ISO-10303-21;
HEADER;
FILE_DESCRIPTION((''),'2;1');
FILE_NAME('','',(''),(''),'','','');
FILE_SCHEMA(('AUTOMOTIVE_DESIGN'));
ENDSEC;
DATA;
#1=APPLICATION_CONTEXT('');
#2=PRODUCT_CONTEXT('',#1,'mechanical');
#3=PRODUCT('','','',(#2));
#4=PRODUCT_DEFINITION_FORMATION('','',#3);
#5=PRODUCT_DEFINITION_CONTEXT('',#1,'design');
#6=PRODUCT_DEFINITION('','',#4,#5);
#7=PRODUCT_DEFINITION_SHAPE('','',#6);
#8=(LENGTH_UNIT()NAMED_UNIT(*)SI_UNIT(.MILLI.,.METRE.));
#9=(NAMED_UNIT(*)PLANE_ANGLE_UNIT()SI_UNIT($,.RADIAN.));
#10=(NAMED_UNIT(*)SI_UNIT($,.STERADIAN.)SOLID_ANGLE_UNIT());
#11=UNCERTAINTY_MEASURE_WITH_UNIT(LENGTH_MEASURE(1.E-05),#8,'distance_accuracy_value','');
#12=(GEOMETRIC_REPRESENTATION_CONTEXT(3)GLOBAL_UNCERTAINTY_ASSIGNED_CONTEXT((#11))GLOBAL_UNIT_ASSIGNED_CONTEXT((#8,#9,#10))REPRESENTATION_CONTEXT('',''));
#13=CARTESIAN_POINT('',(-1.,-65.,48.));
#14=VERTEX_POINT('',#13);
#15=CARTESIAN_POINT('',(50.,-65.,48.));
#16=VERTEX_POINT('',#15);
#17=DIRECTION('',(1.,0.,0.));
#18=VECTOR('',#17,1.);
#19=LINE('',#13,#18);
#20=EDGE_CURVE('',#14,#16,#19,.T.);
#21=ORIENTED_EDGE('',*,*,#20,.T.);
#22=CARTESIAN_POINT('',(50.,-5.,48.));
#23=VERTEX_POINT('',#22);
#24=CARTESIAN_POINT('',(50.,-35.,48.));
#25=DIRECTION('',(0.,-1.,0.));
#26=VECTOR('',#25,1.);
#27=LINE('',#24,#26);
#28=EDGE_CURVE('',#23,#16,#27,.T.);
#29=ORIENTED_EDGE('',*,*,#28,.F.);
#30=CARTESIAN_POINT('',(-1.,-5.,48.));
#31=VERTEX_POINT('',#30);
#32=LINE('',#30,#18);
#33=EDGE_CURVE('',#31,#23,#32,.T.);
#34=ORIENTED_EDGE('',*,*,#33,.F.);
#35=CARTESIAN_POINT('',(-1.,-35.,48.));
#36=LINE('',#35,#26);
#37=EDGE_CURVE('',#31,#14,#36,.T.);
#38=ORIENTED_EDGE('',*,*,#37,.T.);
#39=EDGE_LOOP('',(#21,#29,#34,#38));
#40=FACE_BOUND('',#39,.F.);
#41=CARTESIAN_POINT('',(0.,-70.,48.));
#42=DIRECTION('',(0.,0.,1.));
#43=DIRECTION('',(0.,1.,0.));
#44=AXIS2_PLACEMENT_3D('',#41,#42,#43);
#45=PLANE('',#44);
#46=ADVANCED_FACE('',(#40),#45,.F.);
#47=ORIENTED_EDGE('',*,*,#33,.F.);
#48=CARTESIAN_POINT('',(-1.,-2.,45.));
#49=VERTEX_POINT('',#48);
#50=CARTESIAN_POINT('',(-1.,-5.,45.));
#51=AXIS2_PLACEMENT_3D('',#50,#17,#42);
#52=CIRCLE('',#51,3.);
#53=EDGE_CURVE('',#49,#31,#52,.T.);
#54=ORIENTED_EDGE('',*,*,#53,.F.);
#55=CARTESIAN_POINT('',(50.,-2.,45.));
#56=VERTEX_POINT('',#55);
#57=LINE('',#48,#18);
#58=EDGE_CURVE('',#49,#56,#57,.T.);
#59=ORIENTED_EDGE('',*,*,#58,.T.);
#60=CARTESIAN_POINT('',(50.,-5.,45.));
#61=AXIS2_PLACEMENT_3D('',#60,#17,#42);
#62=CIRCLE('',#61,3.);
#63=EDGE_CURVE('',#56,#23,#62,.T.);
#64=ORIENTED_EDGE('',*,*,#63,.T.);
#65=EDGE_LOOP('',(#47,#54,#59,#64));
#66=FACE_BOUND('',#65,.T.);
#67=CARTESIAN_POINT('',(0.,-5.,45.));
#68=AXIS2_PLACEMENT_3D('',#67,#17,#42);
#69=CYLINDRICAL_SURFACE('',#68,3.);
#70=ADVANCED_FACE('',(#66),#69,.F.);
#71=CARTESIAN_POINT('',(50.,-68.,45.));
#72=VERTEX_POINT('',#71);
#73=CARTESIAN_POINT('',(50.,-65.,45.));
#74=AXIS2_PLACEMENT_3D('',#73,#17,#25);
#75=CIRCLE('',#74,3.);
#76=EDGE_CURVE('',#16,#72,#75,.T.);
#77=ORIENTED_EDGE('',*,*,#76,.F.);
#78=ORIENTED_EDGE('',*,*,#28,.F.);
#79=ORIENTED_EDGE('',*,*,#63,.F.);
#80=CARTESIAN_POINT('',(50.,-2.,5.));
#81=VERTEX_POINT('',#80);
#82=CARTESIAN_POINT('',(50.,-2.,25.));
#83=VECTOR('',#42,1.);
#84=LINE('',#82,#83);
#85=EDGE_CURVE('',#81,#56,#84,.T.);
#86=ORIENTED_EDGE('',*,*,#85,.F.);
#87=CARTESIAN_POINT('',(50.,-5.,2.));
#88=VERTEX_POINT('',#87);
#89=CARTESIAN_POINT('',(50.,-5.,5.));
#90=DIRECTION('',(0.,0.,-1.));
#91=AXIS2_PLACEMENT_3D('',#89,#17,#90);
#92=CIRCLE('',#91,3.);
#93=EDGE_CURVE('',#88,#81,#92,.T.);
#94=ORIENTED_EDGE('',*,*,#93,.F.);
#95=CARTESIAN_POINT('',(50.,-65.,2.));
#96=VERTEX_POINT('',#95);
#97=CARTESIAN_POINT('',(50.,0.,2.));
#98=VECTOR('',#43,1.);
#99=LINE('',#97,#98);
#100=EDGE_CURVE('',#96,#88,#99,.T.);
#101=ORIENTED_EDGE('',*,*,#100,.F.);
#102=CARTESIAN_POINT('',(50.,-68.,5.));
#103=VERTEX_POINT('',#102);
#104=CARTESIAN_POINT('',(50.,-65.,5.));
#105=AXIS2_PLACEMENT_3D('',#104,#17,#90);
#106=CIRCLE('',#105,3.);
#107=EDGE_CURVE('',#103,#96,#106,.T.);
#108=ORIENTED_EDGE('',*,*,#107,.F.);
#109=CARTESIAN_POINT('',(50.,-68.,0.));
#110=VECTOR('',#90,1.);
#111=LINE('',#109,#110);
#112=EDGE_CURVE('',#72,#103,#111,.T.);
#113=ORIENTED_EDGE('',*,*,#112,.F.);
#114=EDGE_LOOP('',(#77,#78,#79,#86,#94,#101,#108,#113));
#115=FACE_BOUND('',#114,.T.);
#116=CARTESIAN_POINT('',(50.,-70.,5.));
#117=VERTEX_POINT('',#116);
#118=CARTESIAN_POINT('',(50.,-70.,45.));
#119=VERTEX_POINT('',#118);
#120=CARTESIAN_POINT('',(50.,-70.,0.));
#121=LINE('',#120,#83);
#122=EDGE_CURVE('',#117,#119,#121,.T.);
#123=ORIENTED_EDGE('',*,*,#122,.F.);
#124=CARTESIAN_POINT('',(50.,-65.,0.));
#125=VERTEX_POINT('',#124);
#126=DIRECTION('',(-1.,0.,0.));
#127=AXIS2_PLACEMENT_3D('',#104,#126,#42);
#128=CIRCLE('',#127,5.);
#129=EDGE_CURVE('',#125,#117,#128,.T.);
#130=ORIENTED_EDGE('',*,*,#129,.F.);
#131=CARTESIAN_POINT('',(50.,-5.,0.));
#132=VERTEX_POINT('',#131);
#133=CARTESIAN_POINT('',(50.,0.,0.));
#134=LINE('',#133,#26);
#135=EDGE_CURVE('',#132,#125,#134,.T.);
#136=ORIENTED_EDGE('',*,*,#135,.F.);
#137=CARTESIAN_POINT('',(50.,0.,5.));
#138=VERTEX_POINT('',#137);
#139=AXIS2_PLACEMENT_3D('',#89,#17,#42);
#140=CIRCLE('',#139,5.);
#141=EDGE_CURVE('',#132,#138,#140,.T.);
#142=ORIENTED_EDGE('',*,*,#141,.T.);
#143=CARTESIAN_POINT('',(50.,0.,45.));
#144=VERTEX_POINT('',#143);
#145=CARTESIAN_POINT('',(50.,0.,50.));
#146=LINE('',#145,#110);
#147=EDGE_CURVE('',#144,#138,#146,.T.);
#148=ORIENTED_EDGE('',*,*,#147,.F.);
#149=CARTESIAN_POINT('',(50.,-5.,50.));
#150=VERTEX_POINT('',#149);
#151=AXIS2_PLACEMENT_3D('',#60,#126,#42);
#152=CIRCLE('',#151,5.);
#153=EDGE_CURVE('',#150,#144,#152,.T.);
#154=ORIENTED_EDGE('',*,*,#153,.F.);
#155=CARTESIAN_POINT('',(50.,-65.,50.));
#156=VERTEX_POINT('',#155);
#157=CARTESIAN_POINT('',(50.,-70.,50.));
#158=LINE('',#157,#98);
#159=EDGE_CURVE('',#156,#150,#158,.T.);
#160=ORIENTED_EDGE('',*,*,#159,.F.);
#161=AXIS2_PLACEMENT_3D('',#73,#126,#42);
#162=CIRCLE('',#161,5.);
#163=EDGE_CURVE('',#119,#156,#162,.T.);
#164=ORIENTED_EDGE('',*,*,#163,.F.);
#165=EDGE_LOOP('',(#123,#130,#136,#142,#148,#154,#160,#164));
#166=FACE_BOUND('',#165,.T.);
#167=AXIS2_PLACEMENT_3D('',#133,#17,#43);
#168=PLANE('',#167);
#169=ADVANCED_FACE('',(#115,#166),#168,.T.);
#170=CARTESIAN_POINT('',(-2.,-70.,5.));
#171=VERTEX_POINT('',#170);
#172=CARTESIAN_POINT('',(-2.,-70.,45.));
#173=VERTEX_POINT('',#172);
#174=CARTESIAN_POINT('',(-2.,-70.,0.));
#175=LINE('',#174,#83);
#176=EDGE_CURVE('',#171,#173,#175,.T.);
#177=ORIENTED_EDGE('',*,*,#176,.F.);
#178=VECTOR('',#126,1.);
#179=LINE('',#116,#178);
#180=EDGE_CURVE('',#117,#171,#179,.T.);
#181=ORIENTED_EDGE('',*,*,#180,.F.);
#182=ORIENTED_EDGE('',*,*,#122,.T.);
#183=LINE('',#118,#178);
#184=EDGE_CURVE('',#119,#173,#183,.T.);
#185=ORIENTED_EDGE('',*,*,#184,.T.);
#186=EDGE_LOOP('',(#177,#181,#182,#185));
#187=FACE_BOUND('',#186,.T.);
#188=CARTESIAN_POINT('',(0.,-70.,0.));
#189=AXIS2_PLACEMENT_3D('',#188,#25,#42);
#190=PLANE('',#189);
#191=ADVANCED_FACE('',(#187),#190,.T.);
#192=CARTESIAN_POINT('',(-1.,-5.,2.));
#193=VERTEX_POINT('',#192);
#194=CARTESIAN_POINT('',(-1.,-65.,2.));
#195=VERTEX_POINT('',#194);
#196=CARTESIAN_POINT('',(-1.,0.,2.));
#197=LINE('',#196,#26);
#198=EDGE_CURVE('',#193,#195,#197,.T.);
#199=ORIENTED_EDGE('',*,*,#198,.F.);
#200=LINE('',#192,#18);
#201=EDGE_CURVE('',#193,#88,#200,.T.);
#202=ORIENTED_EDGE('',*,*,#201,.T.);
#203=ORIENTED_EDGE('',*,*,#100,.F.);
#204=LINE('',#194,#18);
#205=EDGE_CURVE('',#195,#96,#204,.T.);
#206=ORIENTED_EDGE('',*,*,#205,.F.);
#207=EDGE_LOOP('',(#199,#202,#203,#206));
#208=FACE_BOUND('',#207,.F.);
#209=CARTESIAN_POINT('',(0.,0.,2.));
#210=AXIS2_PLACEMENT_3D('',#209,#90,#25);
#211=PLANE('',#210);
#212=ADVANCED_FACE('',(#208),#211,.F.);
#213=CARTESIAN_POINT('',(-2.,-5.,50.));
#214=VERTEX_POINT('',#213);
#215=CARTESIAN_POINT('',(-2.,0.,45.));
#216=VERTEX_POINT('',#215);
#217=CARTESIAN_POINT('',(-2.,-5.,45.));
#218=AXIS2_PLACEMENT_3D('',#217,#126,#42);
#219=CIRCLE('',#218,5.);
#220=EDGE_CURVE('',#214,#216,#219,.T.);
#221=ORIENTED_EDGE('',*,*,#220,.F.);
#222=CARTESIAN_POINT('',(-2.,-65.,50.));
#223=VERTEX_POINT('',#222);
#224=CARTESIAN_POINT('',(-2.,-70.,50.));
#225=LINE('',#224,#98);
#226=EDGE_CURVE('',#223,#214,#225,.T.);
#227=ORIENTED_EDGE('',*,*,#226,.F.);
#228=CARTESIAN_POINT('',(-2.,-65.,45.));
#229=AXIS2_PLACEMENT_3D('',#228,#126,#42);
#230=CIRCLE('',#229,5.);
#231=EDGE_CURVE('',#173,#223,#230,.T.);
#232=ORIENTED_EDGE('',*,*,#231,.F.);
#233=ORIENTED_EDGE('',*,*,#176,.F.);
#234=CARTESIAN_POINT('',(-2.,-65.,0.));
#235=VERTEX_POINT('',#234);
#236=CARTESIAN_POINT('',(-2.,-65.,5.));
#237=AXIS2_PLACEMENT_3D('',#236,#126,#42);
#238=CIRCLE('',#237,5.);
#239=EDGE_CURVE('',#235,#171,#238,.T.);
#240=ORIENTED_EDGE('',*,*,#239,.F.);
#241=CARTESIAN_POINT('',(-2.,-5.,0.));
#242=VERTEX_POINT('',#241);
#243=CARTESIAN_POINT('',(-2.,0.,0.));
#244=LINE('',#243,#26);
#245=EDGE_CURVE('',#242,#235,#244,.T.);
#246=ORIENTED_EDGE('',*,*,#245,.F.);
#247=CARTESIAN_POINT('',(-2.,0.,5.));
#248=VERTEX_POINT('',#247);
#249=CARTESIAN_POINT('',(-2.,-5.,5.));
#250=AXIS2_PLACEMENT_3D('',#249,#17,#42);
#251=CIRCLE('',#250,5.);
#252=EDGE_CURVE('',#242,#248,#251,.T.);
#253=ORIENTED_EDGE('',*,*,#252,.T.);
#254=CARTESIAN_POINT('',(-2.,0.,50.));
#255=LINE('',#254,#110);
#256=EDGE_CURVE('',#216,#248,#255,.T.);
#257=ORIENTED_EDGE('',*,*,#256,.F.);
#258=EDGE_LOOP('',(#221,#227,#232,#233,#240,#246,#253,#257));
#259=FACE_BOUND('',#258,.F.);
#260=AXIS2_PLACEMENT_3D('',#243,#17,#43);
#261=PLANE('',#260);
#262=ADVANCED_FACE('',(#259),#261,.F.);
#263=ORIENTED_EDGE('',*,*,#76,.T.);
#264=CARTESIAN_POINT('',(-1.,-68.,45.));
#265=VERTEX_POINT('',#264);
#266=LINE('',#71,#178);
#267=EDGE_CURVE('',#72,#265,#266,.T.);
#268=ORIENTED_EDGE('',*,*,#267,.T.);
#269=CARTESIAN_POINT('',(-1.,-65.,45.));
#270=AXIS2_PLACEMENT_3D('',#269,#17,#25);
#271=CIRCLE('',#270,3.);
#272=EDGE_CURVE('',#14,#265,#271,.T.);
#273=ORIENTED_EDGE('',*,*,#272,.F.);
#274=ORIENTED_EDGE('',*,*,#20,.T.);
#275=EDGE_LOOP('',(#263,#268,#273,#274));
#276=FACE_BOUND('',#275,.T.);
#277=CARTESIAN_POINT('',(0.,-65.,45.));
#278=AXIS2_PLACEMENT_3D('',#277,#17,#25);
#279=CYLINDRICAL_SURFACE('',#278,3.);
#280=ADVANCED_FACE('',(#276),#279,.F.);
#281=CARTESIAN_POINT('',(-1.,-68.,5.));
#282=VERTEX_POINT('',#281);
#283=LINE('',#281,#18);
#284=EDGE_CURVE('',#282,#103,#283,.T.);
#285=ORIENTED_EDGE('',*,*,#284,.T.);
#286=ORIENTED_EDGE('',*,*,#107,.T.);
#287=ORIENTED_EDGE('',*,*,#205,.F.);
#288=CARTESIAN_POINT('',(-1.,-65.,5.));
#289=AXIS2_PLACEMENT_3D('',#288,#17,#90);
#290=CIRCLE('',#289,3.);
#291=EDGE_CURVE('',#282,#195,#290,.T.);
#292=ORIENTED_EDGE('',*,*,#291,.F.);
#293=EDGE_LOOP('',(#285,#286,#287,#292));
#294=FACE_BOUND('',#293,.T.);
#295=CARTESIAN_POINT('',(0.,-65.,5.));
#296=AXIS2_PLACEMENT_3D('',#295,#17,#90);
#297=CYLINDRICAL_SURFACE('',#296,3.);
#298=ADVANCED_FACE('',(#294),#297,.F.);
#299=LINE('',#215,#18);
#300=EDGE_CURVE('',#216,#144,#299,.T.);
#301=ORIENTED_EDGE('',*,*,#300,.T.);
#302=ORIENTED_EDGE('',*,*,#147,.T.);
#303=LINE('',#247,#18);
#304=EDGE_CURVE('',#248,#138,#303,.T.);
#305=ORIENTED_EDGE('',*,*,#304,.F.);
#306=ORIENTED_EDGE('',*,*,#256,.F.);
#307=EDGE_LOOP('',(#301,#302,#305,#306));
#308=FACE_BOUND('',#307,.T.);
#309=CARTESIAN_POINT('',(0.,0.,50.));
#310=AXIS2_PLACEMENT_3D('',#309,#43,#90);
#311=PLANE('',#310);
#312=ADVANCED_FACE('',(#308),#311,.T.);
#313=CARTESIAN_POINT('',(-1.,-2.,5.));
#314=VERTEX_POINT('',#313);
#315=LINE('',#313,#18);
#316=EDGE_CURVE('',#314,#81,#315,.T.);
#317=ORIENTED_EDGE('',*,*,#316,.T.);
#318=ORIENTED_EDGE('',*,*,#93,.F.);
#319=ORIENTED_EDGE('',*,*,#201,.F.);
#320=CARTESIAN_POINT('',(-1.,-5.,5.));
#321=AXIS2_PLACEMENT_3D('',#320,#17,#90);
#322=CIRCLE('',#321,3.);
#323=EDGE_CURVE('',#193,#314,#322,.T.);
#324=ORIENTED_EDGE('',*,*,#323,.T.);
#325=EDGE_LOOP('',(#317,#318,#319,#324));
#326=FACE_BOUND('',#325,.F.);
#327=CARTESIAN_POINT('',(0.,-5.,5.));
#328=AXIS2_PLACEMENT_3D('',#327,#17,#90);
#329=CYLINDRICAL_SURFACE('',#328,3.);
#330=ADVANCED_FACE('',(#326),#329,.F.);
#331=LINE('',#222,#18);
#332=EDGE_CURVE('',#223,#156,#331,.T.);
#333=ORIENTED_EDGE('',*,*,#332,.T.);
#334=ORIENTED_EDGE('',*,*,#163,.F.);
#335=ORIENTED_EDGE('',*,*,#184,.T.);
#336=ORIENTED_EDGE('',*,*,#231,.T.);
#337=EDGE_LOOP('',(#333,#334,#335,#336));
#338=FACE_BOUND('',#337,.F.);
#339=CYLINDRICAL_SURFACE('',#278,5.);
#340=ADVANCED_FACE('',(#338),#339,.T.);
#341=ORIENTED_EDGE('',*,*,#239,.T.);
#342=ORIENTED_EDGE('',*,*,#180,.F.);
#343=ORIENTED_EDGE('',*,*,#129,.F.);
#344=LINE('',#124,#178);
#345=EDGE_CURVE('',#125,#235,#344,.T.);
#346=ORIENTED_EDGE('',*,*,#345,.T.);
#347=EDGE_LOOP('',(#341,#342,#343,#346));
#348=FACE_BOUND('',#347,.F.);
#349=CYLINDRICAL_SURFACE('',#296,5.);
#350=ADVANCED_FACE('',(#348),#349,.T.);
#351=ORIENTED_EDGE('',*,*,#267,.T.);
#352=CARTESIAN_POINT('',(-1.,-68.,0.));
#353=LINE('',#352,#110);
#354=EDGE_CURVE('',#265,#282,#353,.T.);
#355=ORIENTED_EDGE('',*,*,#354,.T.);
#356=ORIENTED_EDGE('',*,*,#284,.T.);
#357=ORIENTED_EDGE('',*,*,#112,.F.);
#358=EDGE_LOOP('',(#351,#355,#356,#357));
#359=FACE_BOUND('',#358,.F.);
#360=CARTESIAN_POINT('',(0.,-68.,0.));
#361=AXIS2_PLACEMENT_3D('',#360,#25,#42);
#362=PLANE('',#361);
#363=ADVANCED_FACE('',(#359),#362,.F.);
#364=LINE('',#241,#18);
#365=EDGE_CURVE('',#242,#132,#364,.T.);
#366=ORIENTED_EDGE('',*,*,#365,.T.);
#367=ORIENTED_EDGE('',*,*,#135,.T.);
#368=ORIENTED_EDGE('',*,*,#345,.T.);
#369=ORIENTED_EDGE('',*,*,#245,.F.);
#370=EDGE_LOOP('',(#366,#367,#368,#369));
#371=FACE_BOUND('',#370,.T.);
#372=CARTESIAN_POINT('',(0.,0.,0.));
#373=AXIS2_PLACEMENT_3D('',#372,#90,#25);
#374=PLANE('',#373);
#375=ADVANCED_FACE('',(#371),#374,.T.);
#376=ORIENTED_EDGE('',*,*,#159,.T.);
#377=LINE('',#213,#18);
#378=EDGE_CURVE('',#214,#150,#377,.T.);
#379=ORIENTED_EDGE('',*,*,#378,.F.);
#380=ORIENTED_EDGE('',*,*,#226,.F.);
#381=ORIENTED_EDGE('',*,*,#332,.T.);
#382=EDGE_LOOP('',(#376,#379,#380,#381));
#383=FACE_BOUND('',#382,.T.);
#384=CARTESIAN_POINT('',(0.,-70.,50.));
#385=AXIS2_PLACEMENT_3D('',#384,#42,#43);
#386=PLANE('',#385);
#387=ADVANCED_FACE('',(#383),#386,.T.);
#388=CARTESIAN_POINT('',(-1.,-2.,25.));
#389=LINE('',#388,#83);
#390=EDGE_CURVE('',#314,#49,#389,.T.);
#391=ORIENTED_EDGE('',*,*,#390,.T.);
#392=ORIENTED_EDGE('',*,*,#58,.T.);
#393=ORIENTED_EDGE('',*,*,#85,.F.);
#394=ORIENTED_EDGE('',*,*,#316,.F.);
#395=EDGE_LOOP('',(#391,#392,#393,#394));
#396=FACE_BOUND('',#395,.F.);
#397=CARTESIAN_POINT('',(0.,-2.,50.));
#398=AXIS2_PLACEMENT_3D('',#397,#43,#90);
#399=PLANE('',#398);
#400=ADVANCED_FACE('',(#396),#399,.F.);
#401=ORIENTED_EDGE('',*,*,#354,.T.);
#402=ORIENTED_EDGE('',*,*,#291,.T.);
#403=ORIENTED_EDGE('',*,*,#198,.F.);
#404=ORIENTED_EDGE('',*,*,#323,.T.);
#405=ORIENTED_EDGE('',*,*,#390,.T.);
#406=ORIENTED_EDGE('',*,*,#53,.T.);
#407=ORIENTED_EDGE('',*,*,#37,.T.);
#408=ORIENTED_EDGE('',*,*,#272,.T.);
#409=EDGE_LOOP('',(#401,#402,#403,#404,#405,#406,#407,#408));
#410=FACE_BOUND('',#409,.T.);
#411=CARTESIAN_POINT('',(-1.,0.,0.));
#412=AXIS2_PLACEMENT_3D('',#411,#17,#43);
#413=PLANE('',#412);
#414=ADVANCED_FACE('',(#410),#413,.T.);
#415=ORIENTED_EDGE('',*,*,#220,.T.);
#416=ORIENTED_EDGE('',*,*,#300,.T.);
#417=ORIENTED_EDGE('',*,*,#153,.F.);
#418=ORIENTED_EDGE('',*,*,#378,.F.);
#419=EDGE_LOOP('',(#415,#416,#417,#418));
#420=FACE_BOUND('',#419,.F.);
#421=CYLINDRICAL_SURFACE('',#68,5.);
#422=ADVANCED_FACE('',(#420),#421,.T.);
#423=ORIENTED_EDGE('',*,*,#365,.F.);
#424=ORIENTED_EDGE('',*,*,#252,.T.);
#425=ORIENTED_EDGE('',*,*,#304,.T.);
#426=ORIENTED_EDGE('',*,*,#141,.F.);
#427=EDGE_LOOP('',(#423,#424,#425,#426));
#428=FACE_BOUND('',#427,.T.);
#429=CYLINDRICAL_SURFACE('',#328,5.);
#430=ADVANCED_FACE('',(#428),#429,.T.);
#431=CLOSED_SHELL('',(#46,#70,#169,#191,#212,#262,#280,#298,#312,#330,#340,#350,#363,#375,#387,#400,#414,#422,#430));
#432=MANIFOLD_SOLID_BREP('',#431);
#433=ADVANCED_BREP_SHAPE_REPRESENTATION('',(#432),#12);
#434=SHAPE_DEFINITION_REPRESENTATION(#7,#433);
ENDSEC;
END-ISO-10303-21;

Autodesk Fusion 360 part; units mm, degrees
sketch "Sketch1" plane through (0, 0, 0) normal (1, 0, 0) x (0, 1, 0)
  line L0 (0, 0) -> (-70, 0)
  line L1 (-70, 0) -> (-70, 50)
  line L2 (-70, 50) -> (0, 50)
  line L3 (0, 50) -> (0, 0)
  dimension "d1" = 70
  dimension "d2" = 50
extrude "Extrude1" add sketch "Sketch1" along normal blind 50
fillet "Fillet1" radius 5 4 edges at (25, 0, 50) (25, 0, 0) (25, -70, 0) (25, -70, 50)
shell "Shell1" thickness 2 removed faces 1 at (50, -45, 16.6667)
extrude "Extrude3" add 1 faces at (0, -45, 16.6667) along direction (-1, 0, 0) blind 2
extrude "Extrude4" cut 1 faces at (2, -25, 17.3333) along direction (-1, 0, 0) blind 3
